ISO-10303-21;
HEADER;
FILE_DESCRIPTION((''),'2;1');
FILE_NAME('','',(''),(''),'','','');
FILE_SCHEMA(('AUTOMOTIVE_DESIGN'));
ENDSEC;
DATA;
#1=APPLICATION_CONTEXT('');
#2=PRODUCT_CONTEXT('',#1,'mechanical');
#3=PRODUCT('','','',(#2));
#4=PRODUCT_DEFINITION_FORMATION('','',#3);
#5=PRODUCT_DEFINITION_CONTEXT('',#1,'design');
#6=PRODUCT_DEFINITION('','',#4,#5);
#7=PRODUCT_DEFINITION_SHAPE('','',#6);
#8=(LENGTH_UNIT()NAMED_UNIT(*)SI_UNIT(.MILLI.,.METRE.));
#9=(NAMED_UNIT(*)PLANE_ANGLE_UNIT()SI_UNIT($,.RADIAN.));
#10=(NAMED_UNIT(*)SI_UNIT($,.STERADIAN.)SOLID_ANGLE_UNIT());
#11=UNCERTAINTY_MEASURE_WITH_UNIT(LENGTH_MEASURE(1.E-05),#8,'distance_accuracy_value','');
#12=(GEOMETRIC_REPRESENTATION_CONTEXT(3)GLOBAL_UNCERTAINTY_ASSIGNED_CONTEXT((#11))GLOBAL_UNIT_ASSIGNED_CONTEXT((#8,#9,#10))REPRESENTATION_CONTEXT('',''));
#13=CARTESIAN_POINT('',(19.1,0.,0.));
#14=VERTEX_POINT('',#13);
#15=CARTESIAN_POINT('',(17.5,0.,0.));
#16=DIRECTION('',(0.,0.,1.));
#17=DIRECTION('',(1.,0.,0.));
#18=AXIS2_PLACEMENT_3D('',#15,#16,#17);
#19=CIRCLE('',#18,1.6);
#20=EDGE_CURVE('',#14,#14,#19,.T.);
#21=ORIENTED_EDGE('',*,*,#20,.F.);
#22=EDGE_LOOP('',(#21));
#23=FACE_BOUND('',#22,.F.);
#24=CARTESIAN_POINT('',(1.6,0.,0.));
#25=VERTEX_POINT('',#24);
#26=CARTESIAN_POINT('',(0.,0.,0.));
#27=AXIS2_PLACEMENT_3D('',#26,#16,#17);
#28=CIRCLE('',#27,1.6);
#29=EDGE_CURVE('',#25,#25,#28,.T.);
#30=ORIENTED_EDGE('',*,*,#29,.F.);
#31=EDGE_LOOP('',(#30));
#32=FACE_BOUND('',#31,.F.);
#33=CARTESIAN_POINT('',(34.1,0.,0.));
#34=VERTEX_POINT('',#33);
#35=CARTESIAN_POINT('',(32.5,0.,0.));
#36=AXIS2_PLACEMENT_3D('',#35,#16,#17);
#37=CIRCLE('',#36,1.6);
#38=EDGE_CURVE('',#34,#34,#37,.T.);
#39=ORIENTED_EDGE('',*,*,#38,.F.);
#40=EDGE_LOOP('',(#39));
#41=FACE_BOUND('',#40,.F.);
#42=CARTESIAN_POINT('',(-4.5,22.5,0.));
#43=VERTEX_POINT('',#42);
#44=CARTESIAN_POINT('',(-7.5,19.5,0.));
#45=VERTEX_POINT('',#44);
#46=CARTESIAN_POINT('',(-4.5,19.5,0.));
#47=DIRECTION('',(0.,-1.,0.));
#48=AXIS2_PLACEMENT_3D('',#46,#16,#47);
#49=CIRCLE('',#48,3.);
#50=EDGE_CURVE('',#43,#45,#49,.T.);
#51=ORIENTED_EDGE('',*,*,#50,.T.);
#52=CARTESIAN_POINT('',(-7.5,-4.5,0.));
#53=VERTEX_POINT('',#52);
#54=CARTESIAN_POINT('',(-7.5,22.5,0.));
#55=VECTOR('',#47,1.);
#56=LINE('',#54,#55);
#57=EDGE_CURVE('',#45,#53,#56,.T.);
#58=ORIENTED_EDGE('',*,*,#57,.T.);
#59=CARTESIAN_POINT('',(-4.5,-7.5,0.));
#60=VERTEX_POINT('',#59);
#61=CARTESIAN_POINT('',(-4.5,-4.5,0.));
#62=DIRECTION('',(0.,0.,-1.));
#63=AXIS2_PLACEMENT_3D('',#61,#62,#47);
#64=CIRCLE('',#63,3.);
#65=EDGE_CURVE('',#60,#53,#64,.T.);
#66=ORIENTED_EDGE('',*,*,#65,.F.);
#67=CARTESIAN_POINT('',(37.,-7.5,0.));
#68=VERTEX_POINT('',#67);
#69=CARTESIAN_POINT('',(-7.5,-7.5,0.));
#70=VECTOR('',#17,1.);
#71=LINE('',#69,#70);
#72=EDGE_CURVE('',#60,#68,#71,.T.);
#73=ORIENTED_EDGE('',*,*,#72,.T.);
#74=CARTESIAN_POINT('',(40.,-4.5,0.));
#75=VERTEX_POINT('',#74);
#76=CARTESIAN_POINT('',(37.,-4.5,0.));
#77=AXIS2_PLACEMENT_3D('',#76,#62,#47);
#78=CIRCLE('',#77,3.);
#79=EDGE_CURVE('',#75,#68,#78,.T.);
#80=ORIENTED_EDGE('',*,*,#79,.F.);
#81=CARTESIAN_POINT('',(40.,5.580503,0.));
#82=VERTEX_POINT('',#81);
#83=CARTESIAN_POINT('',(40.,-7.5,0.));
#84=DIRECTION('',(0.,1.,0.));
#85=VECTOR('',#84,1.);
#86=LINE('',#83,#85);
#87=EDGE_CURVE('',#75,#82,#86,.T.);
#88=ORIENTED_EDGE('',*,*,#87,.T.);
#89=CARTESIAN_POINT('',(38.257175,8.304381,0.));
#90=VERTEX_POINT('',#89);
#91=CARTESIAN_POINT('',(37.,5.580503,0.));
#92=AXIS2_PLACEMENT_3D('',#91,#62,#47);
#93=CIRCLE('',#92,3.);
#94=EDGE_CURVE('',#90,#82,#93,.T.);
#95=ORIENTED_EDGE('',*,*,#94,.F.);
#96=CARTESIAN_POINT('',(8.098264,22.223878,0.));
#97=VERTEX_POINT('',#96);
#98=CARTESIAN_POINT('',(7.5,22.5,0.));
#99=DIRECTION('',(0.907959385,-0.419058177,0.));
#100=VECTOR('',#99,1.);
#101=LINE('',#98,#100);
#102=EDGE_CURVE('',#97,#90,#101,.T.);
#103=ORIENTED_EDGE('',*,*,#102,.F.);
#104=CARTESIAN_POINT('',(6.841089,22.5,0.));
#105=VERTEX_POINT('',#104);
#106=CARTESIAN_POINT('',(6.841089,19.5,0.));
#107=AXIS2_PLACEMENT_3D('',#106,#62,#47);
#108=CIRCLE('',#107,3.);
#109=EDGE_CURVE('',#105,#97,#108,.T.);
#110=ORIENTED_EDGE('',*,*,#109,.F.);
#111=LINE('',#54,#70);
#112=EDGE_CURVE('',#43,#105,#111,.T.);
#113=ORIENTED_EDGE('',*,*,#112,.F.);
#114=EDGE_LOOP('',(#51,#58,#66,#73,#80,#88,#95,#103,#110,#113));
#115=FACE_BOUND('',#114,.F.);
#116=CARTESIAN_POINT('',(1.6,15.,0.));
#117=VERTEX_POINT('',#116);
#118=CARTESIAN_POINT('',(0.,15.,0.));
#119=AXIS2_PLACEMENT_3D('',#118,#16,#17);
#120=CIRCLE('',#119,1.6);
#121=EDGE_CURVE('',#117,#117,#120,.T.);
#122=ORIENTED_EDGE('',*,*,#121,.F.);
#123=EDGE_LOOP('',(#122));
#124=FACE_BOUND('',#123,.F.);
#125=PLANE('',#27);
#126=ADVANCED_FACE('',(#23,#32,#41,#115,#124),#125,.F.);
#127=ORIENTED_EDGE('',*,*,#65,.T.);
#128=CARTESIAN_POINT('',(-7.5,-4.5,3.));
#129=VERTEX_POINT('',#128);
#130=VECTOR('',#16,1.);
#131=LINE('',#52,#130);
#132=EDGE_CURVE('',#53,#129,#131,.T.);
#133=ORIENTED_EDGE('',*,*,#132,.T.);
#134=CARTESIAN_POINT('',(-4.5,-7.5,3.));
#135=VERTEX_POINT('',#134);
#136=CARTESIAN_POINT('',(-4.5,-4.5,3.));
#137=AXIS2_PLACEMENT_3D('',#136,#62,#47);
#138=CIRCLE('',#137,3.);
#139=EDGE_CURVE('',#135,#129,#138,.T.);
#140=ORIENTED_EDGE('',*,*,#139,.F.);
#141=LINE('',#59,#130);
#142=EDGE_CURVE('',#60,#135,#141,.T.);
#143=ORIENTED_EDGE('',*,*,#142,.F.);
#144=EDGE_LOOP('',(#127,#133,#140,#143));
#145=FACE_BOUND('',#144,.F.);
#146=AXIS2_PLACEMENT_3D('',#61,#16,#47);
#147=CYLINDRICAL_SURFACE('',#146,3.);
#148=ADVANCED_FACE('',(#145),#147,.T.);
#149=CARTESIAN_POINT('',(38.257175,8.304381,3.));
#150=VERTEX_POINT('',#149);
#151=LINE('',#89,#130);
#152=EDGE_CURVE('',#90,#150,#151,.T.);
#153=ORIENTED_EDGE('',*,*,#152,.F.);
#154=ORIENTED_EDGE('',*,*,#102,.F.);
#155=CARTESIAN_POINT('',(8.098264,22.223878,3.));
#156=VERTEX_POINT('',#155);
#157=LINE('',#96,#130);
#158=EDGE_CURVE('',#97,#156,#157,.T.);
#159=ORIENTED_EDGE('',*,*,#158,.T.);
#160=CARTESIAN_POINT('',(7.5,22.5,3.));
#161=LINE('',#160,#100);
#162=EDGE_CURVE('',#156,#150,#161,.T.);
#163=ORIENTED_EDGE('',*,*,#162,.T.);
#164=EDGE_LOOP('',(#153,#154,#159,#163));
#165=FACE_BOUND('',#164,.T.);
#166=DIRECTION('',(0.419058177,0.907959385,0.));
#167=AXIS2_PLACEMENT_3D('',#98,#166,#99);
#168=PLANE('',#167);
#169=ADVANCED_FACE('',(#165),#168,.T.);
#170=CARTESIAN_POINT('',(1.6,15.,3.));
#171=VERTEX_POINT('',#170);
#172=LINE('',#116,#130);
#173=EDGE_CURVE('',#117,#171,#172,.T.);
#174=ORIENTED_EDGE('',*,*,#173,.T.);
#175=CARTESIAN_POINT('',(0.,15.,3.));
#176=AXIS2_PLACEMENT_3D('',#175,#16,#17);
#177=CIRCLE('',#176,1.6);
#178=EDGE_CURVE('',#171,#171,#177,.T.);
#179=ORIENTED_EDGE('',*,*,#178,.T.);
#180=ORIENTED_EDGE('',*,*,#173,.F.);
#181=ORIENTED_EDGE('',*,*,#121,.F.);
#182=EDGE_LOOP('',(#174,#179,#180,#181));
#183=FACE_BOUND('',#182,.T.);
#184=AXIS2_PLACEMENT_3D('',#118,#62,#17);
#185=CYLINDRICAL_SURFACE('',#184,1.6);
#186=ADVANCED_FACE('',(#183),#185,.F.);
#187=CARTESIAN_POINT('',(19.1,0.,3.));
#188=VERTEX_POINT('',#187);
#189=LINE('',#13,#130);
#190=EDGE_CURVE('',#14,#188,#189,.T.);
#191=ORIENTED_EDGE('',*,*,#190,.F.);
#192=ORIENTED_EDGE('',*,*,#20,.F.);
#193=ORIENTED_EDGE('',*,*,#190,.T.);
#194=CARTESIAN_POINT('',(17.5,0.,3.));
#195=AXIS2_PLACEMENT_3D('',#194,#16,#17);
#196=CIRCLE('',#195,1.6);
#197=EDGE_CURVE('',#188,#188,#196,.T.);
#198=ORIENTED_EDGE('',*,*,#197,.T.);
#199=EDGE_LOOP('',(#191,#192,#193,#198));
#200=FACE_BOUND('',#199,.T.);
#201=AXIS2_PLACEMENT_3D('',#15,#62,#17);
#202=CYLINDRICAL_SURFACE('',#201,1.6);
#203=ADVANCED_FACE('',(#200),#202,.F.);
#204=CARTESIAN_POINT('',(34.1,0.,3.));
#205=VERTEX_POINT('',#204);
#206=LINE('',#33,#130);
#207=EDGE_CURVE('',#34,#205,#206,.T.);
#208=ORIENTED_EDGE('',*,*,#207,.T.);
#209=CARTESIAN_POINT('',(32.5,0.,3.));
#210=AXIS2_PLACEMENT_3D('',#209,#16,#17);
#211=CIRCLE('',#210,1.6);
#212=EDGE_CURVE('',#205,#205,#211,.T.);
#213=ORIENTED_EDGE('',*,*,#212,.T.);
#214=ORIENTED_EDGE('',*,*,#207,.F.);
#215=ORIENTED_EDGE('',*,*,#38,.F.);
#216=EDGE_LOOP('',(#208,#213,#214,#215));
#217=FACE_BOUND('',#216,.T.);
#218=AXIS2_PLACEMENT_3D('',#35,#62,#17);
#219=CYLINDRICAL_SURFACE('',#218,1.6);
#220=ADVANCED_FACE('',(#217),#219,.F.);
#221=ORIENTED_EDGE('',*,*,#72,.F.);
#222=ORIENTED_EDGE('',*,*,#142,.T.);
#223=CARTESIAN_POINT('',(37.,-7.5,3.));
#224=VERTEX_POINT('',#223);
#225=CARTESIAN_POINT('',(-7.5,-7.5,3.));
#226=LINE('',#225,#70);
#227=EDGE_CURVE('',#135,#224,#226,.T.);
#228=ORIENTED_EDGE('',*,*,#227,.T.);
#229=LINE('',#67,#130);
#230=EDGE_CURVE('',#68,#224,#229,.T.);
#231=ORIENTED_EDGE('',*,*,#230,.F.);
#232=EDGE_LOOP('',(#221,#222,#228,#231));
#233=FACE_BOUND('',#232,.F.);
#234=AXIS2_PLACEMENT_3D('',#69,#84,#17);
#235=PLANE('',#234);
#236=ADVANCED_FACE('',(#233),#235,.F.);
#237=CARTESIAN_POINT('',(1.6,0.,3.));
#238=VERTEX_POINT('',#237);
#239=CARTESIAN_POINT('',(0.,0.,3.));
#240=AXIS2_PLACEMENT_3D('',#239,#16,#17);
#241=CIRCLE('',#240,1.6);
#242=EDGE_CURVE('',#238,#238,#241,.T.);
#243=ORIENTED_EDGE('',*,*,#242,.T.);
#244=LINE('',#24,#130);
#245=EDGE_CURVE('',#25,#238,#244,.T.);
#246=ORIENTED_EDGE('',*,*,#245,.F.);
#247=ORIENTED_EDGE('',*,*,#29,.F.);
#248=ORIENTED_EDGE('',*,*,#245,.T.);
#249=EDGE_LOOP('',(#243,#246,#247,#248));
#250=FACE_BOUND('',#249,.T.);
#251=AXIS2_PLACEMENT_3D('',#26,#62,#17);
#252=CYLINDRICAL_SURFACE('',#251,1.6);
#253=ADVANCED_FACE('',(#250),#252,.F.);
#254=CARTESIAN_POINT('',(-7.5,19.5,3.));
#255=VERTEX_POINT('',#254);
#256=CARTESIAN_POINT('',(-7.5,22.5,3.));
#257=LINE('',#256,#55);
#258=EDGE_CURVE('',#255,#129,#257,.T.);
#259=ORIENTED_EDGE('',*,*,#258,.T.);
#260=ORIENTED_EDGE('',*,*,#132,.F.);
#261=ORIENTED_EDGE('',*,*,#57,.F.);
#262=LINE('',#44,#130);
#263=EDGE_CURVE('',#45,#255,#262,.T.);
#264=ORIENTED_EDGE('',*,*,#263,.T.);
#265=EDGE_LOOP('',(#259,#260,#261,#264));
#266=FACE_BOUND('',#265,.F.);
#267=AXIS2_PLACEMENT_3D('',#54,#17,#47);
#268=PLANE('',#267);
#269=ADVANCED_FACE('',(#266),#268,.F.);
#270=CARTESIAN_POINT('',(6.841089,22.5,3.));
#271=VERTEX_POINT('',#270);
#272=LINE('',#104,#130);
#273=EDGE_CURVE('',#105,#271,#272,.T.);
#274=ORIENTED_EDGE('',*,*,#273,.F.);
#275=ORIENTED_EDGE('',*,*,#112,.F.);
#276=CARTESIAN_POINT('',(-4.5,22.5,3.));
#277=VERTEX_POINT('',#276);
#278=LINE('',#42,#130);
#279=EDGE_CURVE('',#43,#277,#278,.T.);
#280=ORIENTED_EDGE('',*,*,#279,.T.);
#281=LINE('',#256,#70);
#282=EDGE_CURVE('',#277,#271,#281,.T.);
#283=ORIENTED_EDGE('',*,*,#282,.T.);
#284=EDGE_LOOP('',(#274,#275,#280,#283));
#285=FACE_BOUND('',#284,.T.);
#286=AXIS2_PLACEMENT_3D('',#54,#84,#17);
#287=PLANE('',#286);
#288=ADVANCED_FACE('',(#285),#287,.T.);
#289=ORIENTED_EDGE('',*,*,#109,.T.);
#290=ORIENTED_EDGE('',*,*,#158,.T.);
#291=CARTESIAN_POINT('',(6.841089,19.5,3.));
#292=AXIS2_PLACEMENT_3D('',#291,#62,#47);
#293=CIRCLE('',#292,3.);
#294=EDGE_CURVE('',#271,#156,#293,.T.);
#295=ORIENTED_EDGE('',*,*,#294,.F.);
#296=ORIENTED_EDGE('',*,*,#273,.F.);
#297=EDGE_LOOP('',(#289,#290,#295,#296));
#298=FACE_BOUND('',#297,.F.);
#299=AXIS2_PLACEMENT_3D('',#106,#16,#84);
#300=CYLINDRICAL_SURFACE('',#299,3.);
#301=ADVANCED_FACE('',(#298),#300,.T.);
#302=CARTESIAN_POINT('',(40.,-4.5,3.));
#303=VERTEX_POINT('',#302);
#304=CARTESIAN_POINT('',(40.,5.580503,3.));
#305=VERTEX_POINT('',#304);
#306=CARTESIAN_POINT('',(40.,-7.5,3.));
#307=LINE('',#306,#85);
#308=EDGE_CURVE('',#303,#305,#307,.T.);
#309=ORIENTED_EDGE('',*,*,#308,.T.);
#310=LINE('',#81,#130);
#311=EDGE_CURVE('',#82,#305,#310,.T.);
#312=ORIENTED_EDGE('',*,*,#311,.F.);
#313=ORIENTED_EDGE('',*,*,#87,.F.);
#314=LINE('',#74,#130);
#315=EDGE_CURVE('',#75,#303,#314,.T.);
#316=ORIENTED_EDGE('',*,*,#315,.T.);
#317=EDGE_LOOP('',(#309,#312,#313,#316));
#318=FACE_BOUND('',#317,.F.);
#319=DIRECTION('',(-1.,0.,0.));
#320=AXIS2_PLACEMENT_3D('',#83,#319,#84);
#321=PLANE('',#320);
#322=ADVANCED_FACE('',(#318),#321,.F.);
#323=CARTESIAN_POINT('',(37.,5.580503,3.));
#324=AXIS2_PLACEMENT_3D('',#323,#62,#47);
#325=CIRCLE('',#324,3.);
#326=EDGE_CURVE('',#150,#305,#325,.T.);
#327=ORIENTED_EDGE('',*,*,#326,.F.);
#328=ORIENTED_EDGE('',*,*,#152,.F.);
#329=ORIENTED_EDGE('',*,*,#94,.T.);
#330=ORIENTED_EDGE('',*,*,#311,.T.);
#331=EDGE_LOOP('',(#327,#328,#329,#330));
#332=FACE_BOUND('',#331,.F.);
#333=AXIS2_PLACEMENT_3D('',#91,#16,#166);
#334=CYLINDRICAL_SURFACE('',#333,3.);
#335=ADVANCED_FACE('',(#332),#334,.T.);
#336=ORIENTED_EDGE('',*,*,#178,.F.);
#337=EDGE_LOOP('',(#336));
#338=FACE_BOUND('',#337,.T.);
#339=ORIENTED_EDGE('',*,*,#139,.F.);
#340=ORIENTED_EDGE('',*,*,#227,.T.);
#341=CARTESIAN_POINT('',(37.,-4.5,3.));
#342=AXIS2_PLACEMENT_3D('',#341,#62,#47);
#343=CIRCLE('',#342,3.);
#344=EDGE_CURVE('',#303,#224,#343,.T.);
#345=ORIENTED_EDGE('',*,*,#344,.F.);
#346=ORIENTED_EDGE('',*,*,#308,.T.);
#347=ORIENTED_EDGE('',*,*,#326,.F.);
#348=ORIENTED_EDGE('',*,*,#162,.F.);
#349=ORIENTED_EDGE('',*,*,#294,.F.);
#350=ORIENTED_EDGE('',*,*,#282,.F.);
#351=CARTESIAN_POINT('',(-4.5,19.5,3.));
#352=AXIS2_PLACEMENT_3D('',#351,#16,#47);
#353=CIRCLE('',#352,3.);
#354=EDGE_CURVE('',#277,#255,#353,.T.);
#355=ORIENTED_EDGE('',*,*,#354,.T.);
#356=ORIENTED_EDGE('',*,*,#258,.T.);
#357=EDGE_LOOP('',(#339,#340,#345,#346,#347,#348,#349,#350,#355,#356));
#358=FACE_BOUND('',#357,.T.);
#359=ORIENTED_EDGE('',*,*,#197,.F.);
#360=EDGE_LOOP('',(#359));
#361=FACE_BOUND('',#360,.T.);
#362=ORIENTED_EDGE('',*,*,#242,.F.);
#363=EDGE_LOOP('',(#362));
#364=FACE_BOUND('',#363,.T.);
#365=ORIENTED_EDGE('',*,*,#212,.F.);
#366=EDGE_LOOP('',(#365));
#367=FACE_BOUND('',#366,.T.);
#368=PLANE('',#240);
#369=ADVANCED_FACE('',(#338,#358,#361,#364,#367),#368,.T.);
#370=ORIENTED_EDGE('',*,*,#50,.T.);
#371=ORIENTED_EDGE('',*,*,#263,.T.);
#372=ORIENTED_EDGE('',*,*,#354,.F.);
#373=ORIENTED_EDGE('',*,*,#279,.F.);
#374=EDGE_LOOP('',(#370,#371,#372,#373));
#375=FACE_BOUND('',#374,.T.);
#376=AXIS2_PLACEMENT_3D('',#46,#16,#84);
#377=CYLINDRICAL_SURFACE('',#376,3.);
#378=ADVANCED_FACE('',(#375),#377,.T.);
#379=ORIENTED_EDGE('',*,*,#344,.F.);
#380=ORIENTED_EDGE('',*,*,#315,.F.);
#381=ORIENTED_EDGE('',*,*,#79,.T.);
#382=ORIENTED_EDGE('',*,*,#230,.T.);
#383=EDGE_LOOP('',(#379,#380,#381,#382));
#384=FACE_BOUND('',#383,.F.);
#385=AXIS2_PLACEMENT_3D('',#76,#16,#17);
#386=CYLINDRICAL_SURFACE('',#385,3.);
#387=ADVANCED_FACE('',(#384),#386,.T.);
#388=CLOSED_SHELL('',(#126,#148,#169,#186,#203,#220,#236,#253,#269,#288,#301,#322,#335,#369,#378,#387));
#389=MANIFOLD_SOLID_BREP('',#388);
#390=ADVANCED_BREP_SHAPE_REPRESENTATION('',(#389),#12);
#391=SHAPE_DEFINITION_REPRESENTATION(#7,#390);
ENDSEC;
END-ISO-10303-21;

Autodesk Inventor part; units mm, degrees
ref_plane "YZ Plane" through (0, 0, 0) normal (1, 0, 0) x (0, 1, 0)
ref_plane "XZ Plane" through (0, 0, 0) normal (0, 1, 0) x (-1, 0, 0)
ref_plane "XY Plane" through (0, 0, 0) normal (0, 0, 1) x (1, 0, 0)
sketch "スケッチ1" plane through (0, 0, 0) normal (0, 0, 1) x (1, 0, 0)
  circle A0 centre (0, 0) radius 1.6
  circle A1 centre (0, 15) radius 1.6
  circle A2 centre (17.5, 0) radius 1.6
  circle A3 centre (32.5, 0) radius 1.6
  line L0 (-7.5, 22.5) -> (7.5, 22.5)
  line L1 (7.5, 22.5) -> (40, 7.5)
  line L2 (-7.5, 22.5) -> (-7.5, -7.5)
  line L3 (-7.5, -7.5) -> (40, -7.5)
  line L4 (40, -7.5) -> (40, 7.5)
  dimension "d0" = 3.2
  dimension "d1" = 3.2
  dimension "d2" = 15
  dimension "d3" = 3.2
  dimension "d4" = 3.2
  dimension "d5" = 17.5
  dimension "d6" = 15
  dimension "d7" = 7.5
  dimension "d12" = 15
  dimension "d16" = 15
  dimension "d17" = 7.5
  dimension "d18" = 7.5
  dimension "d19" = 7.5
extrude "押し出し1" add sketch "スケッチ1" along normal blind 3
fillet "フィレット1" radius 3 5 edges at (-7.5, 22.5, 1.5) (7.5, 22.5, 1.5) (40, 7.5, 1.5) (-7.5, -7.5, 1.5) (40, -7.5, 1.5)
properties part number "上昇機構_固定具1" material "アルミニウム 6061"
